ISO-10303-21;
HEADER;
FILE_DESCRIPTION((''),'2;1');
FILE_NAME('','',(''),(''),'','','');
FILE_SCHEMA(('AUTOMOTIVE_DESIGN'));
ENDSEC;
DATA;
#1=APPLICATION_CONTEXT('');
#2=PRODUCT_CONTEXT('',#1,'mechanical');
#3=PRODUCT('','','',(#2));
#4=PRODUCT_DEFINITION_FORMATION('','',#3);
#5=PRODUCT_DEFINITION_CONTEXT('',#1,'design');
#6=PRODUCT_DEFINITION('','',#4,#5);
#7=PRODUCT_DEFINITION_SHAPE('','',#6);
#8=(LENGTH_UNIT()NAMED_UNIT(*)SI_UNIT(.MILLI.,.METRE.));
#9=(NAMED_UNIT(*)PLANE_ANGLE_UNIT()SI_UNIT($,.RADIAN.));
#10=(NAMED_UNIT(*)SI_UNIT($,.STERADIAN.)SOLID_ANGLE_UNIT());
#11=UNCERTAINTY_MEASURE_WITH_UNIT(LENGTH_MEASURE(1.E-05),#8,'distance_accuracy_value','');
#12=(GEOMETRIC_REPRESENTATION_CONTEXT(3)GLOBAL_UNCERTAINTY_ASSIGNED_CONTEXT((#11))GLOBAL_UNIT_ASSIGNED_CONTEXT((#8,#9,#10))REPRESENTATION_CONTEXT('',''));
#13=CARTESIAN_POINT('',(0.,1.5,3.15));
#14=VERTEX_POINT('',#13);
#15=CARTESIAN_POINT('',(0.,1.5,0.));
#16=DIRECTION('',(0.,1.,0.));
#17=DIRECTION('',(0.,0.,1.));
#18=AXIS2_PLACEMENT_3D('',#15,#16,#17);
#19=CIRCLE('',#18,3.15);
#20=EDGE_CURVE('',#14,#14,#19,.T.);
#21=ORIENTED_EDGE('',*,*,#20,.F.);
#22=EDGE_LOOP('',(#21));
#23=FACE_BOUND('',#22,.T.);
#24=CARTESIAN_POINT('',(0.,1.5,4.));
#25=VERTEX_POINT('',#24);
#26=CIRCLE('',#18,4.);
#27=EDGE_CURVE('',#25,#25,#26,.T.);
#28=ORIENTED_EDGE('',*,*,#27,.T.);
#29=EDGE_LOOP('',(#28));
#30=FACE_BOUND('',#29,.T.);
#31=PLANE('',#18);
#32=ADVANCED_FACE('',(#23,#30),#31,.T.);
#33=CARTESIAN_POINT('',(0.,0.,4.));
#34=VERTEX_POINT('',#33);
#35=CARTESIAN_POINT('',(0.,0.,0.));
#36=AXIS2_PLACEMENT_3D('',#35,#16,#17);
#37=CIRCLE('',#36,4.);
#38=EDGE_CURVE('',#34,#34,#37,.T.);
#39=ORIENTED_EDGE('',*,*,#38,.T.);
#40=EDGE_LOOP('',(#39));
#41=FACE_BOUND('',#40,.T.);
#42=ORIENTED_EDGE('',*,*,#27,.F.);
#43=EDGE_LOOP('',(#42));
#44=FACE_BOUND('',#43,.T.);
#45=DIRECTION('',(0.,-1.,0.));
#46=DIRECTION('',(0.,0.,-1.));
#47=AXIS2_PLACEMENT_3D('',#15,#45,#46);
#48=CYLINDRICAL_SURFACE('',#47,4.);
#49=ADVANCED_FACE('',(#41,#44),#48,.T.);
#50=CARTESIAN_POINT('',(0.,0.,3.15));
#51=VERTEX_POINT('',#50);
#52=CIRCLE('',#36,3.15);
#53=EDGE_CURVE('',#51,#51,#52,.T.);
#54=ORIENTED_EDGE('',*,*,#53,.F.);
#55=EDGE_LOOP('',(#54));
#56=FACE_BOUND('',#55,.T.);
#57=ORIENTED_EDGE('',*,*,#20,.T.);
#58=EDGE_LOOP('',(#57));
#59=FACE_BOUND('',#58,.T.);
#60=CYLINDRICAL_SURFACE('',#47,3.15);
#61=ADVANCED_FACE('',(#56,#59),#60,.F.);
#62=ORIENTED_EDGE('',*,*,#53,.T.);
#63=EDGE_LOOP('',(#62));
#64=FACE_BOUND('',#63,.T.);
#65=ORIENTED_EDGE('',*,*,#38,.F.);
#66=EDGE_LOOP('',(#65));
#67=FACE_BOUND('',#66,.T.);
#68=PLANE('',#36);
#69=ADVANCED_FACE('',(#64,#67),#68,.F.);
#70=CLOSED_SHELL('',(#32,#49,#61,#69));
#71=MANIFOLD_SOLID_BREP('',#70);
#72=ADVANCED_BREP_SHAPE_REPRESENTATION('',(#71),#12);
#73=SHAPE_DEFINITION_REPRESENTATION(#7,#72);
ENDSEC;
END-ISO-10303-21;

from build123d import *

# Parameters (mm, degrees)
SKETCH1_R           = 4
SKETCH1_R_2         = 3.15
BOSS_EXTRUDE1_DEPTH = 1.5


with BuildPart() as part:
    # Sketch1 → Boss-Extrude1 (new body)
    with BuildSketch(Plane(origin=(0, 0, 0), x_dir=(1, 0, 0), z_dir=(0, 1, 0))):
        with Locations(Location((0, 0, 0), (0, 0, 270))):
            Circle(SKETCH1_R)
        with Locations(Location((0, 0, 0), (0, 0, 270))):
            Circle(SKETCH1_R_2, mode=Mode.SUBTRACT)
    extrude(amount=BOSS_EXTRUDE1_DEPTH)


solid = part.part
